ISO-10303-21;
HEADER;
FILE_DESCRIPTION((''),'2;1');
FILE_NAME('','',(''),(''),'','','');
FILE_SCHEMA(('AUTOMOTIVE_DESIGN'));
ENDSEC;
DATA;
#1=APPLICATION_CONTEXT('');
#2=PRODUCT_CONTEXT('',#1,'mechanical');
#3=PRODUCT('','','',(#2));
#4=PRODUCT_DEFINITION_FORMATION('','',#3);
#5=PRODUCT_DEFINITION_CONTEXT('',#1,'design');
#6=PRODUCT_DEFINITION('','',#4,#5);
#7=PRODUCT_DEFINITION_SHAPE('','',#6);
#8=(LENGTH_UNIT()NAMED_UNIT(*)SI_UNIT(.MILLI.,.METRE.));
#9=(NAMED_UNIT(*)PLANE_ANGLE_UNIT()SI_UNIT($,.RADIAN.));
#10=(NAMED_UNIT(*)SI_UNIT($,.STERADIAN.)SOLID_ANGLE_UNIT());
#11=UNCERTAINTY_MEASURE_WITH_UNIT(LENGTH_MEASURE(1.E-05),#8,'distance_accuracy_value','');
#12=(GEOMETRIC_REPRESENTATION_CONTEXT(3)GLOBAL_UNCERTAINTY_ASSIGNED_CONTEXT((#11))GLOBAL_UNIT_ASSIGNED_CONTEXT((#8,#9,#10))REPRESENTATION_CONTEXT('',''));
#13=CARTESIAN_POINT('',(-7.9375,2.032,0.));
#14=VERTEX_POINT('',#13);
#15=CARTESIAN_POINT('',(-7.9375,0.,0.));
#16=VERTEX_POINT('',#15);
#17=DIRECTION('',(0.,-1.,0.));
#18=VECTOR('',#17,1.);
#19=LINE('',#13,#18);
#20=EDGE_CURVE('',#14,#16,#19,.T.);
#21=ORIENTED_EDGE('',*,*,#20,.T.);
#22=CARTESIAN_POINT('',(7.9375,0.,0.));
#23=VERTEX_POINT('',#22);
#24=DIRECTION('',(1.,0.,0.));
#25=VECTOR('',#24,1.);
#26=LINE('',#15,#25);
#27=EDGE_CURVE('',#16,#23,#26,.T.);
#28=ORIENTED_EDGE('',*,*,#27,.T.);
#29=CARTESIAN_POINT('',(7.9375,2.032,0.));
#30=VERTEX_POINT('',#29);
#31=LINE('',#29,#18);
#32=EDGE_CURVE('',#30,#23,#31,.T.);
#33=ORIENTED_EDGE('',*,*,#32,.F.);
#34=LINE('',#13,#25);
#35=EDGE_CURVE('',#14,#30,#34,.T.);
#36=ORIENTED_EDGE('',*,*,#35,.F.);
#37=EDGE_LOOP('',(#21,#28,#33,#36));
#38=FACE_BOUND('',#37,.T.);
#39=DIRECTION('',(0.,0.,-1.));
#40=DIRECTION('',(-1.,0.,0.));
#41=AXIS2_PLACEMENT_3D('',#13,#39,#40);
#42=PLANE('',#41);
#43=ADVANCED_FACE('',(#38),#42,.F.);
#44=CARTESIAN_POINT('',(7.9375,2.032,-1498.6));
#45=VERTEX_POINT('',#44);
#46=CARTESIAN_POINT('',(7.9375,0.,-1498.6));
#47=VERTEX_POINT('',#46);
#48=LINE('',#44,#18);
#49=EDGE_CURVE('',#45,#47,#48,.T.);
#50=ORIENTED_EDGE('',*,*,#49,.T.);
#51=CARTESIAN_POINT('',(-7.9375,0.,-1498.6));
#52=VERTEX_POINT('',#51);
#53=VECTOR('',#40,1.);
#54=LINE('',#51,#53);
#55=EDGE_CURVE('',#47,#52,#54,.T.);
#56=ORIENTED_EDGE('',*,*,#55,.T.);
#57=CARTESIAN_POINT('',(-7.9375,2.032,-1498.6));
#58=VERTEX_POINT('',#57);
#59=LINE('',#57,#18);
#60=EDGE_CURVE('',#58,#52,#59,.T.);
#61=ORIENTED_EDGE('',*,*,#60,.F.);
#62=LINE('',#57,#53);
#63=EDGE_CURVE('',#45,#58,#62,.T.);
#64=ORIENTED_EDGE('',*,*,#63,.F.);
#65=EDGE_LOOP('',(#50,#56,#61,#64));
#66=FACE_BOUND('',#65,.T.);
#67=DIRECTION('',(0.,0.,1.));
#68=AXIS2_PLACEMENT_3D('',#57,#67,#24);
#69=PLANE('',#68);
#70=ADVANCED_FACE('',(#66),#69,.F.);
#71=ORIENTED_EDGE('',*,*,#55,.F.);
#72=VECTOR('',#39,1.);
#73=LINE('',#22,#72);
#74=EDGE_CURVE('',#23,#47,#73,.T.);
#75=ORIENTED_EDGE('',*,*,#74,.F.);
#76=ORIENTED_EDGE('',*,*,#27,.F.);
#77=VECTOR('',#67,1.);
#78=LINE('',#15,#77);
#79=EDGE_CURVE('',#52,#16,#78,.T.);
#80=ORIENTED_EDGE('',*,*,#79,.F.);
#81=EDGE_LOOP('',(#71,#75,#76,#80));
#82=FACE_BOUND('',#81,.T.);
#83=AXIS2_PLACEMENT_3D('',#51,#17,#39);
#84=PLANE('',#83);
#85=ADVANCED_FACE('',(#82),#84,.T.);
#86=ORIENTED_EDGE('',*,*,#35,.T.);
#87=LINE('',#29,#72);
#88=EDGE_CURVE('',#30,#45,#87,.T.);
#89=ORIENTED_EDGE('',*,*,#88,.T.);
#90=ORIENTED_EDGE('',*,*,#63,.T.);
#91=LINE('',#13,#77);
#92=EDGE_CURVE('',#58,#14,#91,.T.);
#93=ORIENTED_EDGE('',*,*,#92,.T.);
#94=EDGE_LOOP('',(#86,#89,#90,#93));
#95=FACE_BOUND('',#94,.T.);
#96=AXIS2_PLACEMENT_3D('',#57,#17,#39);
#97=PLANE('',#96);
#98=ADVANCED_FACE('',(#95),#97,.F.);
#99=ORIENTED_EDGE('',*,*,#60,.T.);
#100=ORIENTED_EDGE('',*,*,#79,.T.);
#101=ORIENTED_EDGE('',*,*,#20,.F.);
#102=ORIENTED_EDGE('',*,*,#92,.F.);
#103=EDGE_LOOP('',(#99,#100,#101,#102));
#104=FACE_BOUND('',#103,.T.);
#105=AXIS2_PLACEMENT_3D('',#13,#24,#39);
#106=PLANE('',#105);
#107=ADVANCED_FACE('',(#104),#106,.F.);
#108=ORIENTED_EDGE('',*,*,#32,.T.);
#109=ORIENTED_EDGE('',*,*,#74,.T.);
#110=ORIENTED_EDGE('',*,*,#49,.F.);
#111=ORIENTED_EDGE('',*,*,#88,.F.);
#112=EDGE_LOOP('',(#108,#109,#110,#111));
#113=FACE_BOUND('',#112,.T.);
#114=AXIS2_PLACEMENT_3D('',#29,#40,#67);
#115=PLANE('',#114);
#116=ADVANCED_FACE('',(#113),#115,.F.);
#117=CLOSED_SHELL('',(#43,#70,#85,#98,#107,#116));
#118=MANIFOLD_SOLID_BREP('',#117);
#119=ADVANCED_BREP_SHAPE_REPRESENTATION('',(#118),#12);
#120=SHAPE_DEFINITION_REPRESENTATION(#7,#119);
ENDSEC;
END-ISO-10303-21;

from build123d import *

# Parameters (mm, degrees)
SKETCH1_W      = 15.875
SKETCH1_H      = 1498.6
EXTRUDE1_DEPTH = 2.032


with BuildPart() as part:
    # Sketch1 → Extrude1 (new body)
    with BuildSketch(Plane(origin=(0, 0, 0), x_dir=(1, 0, 0), z_dir=(0, 1, 0))):
        with Locations((0, 749.3)):
            Rectangle(SKETCH1_W, SKETCH1_H)
    extrude(amount=EXTRUDE1_DEPTH)


solid = part.part
